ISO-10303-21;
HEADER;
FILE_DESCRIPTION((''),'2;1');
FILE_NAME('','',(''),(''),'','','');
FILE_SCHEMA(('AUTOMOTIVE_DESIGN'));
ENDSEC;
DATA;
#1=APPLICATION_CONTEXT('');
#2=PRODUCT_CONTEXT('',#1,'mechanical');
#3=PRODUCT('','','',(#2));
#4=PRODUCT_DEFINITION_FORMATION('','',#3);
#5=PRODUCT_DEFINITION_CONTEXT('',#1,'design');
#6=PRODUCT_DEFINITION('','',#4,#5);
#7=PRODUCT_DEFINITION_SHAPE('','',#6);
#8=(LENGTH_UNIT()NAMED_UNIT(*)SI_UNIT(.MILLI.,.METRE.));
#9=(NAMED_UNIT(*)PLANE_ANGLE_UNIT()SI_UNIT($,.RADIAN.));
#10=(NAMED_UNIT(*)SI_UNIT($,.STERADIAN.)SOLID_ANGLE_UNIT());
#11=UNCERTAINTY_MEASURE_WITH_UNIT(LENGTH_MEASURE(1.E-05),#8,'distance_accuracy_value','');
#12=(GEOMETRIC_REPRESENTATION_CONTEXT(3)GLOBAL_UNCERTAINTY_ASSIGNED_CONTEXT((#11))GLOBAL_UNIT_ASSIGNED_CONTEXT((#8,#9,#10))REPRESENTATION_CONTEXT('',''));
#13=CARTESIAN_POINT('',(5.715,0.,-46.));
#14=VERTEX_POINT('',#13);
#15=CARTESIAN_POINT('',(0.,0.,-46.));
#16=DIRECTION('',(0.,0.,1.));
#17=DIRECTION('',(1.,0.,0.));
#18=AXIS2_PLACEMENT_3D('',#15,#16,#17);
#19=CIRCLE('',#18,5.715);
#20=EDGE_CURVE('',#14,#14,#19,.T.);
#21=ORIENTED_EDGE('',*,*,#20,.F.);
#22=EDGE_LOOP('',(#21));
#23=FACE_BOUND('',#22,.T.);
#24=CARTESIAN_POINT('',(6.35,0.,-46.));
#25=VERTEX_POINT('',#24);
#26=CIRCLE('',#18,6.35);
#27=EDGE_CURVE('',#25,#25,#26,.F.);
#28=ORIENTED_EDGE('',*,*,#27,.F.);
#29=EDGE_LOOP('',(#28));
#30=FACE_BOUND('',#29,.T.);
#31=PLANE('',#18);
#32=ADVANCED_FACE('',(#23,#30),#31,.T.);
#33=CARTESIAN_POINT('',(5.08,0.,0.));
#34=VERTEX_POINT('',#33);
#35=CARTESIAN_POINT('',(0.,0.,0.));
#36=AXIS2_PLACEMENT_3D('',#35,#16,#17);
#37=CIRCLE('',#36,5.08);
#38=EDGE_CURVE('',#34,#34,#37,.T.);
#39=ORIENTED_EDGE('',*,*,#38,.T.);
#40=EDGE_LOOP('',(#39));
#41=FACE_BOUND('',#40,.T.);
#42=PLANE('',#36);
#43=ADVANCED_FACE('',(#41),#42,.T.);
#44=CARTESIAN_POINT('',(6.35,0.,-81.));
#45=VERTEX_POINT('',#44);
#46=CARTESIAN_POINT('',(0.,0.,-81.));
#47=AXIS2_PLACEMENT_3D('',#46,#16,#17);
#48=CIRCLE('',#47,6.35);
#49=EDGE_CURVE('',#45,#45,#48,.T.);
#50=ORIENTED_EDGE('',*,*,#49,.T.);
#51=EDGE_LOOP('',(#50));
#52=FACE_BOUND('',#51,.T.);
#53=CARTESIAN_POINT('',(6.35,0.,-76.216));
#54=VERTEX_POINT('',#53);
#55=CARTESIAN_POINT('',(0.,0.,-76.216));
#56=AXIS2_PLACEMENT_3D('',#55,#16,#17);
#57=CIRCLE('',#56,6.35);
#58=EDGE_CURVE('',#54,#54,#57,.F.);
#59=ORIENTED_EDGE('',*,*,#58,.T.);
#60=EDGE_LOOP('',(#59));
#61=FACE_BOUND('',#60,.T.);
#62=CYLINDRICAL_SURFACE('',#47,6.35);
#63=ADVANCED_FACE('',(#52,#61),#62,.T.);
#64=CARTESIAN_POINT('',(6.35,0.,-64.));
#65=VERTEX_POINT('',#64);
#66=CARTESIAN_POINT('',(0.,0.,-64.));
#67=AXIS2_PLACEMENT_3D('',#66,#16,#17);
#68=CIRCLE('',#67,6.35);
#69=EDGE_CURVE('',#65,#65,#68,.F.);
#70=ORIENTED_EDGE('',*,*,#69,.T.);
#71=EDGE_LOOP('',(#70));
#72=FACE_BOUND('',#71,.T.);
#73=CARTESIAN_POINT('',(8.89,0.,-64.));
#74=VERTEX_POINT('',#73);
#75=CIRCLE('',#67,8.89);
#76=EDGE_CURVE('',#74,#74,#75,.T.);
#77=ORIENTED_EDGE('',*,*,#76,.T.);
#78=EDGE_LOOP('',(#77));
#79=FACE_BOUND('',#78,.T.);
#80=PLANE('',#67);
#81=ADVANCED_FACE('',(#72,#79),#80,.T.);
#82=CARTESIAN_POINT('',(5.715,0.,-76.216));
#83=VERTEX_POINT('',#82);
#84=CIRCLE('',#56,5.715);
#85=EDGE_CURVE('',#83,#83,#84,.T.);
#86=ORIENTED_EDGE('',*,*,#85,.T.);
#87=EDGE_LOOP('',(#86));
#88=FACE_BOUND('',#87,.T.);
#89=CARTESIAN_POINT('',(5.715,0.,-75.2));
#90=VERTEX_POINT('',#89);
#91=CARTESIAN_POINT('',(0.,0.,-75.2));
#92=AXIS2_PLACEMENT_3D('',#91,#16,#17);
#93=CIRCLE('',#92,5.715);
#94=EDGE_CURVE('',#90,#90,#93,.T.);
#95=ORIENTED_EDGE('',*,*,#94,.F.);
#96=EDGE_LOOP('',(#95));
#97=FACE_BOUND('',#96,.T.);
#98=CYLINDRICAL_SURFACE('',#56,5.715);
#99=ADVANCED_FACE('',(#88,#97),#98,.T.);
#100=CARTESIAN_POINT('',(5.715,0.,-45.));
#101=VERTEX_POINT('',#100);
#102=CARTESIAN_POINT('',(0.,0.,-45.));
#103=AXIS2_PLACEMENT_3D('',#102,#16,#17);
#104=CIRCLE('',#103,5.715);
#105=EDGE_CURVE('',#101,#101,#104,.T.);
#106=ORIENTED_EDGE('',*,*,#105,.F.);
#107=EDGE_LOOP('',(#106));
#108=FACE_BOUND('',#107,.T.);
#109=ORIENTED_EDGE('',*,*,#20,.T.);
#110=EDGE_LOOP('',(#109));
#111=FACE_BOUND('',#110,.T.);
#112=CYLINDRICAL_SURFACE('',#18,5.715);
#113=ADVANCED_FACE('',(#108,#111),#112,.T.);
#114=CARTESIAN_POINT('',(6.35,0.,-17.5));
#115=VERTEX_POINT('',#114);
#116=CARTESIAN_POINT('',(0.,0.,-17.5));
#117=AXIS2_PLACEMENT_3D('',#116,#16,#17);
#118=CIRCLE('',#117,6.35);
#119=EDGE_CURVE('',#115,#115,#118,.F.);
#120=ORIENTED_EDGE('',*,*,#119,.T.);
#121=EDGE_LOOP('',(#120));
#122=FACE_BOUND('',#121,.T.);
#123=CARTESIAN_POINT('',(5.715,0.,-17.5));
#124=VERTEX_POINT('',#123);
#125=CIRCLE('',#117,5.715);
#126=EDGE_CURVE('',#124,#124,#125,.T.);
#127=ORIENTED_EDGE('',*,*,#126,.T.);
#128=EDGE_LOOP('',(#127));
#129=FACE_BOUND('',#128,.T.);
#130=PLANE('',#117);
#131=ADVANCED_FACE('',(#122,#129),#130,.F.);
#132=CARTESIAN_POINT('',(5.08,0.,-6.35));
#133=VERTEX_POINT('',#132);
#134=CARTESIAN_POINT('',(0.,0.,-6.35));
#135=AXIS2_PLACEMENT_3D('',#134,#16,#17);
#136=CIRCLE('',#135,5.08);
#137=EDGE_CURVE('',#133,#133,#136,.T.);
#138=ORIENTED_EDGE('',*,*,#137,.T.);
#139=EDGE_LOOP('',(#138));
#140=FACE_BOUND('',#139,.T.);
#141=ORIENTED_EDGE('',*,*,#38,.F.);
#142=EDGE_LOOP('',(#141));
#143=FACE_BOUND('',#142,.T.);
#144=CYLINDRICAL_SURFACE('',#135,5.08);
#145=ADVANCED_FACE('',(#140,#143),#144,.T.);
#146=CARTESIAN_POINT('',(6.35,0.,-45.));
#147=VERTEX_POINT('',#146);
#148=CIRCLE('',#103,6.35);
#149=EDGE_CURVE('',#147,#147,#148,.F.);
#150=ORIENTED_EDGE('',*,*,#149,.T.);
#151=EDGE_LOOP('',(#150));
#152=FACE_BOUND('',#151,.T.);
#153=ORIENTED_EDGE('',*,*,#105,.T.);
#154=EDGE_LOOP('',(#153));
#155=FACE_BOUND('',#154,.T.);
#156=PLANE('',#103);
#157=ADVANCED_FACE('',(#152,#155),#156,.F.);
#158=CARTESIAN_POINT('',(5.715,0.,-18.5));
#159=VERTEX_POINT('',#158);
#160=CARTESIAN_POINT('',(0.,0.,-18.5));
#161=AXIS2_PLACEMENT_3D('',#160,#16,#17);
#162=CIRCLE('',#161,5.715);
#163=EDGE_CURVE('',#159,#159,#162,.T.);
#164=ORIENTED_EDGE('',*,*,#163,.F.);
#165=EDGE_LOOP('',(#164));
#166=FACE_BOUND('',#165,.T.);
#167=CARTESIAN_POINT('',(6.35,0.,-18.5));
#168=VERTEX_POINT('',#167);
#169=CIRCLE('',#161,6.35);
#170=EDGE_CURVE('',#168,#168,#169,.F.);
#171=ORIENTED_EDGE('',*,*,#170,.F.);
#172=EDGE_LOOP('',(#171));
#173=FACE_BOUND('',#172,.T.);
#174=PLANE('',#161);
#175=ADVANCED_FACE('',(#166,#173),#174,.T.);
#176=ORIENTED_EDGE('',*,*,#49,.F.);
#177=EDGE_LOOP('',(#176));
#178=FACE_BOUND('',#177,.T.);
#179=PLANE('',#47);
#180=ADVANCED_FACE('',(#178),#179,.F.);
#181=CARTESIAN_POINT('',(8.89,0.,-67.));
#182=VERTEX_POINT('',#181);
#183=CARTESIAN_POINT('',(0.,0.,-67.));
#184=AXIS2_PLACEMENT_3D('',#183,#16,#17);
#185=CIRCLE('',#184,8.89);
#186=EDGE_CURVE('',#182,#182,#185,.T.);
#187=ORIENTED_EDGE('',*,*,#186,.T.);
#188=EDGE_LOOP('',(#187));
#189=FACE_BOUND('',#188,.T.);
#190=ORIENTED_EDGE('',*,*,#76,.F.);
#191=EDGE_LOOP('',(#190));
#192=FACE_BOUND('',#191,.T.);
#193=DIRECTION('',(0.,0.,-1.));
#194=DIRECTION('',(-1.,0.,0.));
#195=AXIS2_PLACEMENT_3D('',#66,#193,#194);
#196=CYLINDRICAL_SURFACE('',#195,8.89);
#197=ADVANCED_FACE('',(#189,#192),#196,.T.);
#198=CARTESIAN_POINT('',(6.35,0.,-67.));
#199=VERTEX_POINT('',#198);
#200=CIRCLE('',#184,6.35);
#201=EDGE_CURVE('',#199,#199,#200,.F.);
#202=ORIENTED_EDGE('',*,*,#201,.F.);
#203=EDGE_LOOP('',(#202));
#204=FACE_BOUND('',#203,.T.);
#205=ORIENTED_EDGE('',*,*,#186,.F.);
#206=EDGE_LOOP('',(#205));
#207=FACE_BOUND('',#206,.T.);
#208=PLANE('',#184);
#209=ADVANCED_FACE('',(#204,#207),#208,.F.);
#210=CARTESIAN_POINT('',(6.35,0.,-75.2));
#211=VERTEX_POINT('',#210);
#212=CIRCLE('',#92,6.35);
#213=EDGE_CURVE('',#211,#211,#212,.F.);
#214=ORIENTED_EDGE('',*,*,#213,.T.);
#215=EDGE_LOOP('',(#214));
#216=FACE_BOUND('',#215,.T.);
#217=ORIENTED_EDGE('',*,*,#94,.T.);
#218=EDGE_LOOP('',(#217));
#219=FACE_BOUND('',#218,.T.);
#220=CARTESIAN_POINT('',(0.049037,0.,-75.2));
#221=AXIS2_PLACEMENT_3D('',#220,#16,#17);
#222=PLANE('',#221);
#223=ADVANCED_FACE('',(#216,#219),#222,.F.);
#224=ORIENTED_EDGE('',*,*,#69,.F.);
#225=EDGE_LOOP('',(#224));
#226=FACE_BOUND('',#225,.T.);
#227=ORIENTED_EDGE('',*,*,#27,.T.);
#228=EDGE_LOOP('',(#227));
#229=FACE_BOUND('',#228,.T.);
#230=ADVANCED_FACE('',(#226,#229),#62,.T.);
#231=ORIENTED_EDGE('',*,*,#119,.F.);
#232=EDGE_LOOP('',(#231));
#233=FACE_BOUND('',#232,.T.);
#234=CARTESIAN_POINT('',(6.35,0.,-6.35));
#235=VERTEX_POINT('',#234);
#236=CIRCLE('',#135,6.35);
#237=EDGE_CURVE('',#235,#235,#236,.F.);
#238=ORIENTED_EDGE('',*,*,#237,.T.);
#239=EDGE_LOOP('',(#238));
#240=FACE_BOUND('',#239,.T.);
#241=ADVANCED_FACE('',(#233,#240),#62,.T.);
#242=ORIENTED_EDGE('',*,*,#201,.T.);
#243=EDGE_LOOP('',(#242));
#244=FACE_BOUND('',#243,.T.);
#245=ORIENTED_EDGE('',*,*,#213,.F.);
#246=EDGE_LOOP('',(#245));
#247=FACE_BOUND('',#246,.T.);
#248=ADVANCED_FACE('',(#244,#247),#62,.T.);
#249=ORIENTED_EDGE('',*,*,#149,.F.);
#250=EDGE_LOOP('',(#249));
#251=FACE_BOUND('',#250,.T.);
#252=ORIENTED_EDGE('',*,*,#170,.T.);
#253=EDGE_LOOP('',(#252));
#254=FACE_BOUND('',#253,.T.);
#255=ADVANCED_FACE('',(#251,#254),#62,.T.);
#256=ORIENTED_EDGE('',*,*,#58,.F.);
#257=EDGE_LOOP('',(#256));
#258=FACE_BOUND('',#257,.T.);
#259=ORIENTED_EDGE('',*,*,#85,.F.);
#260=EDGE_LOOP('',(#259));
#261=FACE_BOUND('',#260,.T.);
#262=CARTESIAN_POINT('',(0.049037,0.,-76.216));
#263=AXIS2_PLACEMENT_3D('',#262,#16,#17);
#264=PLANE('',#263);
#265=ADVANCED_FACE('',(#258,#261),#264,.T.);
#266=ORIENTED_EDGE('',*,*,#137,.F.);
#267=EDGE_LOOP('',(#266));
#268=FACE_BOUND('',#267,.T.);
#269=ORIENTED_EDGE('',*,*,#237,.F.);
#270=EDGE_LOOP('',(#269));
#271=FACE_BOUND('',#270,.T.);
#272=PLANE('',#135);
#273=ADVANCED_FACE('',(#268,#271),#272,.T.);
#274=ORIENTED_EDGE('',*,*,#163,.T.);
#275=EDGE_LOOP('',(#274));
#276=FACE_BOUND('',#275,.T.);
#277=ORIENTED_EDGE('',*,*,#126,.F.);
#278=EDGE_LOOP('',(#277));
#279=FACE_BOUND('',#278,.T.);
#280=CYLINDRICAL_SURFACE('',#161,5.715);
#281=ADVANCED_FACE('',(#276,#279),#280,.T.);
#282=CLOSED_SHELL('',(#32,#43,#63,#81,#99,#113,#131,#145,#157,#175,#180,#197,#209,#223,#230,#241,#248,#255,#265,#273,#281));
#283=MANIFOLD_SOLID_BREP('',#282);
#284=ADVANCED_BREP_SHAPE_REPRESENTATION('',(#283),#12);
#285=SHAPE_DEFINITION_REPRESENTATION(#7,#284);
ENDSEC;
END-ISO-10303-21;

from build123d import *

# Parameters (mm, degrees)
SKETCH1_R           = 6.35
BOSS_EXTRUDE1_DEPTH = 81
CUT_EXTRUDE1_START  = -75.2
SKETCH2_R           = 12.7
SKETCH2_R_2         = 5.715
CUT_EXTRUDE1_DEPTH  = 1.016
BOSS_EXTRUDE2_START = -67
SKETCH3_R           = 8.89
BOSS_EXTRUDE2_DEPTH = 3
SKETCH4_R           = 7.62
SKETCH4_R_2         = 5.08
CUT_EXTRUDE2_DEPTH  = 6.35
CUT_EXTRUDE4_START  = -17.5
SKETCH5_R           = 12.7
SKETCH5_R_2         = 5.715
CUT_EXTRUDE4_DEPTH  = 1
CUT_EXTRUDE5_START  = -45
SKETCH6_R           = 12.7
SKETCH6_R_2         = 5.715
CUT_EXTRUDE5_DEPTH  = 1


with BuildPart() as part:
    # Sketch1 → Boss-Extrude1 (new body)
    with BuildSketch(Plane.XY):
        Circle(SKETCH1_R)
    extrude(amount=-BOSS_EXTRUDE1_DEPTH)

    # Sketch2 → Cut-Extrude1 (cut)
    with BuildSketch(Plane.XY.offset(CUT_EXTRUDE1_START)):
        with Locations((0.049037486, 0)):
            Circle(SKETCH2_R)
        Circle(SKETCH2_R_2, mode=Mode.SUBTRACT)
    extrude(amount=-CUT_EXTRUDE1_DEPTH, mode=Mode.SUBTRACT)

    # Sketch3 → Boss-Extrude2 (add)
    with BuildSketch(Plane.XY.offset(BOSS_EXTRUDE2_START)):
        Circle(SKETCH3_R)
    extrude(amount=BOSS_EXTRUDE2_DEPTH)

    # Sketch4 → Cut-Extrude2 (cut)
    with BuildSketch(Plane.XY):
        Circle(SKETCH4_R)
        Circle(SKETCH4_R_2, mode=Mode.SUBTRACT)
    extrude(amount=-CUT_EXTRUDE2_DEPTH, mode=Mode.SUBTRACT)

    # Sketch5 → Cut-Extrude4 (cut)
    with BuildSketch(Plane.XY.offset(CUT_EXTRUDE4_START)):
        Circle(SKETCH5_R)
        Circle(SKETCH5_R_2, mode=Mode.SUBTRACT)
    extrude(amount=-CUT_EXTRUDE4_DEPTH, mode=Mode.SUBTRACT)

    # Sketch6 → Cut-Extrude5 (cut)
    with BuildSketch(Plane.XY.offset(CUT_EXTRUDE5_START)):
        Circle(SKETCH6_R)
        Circle(SKETCH6_R_2, mode=Mode.SUBTRACT)
    extrude(amount=-CUT_EXTRUDE5_DEPTH, mode=Mode.SUBTRACT)


solid = part.part
